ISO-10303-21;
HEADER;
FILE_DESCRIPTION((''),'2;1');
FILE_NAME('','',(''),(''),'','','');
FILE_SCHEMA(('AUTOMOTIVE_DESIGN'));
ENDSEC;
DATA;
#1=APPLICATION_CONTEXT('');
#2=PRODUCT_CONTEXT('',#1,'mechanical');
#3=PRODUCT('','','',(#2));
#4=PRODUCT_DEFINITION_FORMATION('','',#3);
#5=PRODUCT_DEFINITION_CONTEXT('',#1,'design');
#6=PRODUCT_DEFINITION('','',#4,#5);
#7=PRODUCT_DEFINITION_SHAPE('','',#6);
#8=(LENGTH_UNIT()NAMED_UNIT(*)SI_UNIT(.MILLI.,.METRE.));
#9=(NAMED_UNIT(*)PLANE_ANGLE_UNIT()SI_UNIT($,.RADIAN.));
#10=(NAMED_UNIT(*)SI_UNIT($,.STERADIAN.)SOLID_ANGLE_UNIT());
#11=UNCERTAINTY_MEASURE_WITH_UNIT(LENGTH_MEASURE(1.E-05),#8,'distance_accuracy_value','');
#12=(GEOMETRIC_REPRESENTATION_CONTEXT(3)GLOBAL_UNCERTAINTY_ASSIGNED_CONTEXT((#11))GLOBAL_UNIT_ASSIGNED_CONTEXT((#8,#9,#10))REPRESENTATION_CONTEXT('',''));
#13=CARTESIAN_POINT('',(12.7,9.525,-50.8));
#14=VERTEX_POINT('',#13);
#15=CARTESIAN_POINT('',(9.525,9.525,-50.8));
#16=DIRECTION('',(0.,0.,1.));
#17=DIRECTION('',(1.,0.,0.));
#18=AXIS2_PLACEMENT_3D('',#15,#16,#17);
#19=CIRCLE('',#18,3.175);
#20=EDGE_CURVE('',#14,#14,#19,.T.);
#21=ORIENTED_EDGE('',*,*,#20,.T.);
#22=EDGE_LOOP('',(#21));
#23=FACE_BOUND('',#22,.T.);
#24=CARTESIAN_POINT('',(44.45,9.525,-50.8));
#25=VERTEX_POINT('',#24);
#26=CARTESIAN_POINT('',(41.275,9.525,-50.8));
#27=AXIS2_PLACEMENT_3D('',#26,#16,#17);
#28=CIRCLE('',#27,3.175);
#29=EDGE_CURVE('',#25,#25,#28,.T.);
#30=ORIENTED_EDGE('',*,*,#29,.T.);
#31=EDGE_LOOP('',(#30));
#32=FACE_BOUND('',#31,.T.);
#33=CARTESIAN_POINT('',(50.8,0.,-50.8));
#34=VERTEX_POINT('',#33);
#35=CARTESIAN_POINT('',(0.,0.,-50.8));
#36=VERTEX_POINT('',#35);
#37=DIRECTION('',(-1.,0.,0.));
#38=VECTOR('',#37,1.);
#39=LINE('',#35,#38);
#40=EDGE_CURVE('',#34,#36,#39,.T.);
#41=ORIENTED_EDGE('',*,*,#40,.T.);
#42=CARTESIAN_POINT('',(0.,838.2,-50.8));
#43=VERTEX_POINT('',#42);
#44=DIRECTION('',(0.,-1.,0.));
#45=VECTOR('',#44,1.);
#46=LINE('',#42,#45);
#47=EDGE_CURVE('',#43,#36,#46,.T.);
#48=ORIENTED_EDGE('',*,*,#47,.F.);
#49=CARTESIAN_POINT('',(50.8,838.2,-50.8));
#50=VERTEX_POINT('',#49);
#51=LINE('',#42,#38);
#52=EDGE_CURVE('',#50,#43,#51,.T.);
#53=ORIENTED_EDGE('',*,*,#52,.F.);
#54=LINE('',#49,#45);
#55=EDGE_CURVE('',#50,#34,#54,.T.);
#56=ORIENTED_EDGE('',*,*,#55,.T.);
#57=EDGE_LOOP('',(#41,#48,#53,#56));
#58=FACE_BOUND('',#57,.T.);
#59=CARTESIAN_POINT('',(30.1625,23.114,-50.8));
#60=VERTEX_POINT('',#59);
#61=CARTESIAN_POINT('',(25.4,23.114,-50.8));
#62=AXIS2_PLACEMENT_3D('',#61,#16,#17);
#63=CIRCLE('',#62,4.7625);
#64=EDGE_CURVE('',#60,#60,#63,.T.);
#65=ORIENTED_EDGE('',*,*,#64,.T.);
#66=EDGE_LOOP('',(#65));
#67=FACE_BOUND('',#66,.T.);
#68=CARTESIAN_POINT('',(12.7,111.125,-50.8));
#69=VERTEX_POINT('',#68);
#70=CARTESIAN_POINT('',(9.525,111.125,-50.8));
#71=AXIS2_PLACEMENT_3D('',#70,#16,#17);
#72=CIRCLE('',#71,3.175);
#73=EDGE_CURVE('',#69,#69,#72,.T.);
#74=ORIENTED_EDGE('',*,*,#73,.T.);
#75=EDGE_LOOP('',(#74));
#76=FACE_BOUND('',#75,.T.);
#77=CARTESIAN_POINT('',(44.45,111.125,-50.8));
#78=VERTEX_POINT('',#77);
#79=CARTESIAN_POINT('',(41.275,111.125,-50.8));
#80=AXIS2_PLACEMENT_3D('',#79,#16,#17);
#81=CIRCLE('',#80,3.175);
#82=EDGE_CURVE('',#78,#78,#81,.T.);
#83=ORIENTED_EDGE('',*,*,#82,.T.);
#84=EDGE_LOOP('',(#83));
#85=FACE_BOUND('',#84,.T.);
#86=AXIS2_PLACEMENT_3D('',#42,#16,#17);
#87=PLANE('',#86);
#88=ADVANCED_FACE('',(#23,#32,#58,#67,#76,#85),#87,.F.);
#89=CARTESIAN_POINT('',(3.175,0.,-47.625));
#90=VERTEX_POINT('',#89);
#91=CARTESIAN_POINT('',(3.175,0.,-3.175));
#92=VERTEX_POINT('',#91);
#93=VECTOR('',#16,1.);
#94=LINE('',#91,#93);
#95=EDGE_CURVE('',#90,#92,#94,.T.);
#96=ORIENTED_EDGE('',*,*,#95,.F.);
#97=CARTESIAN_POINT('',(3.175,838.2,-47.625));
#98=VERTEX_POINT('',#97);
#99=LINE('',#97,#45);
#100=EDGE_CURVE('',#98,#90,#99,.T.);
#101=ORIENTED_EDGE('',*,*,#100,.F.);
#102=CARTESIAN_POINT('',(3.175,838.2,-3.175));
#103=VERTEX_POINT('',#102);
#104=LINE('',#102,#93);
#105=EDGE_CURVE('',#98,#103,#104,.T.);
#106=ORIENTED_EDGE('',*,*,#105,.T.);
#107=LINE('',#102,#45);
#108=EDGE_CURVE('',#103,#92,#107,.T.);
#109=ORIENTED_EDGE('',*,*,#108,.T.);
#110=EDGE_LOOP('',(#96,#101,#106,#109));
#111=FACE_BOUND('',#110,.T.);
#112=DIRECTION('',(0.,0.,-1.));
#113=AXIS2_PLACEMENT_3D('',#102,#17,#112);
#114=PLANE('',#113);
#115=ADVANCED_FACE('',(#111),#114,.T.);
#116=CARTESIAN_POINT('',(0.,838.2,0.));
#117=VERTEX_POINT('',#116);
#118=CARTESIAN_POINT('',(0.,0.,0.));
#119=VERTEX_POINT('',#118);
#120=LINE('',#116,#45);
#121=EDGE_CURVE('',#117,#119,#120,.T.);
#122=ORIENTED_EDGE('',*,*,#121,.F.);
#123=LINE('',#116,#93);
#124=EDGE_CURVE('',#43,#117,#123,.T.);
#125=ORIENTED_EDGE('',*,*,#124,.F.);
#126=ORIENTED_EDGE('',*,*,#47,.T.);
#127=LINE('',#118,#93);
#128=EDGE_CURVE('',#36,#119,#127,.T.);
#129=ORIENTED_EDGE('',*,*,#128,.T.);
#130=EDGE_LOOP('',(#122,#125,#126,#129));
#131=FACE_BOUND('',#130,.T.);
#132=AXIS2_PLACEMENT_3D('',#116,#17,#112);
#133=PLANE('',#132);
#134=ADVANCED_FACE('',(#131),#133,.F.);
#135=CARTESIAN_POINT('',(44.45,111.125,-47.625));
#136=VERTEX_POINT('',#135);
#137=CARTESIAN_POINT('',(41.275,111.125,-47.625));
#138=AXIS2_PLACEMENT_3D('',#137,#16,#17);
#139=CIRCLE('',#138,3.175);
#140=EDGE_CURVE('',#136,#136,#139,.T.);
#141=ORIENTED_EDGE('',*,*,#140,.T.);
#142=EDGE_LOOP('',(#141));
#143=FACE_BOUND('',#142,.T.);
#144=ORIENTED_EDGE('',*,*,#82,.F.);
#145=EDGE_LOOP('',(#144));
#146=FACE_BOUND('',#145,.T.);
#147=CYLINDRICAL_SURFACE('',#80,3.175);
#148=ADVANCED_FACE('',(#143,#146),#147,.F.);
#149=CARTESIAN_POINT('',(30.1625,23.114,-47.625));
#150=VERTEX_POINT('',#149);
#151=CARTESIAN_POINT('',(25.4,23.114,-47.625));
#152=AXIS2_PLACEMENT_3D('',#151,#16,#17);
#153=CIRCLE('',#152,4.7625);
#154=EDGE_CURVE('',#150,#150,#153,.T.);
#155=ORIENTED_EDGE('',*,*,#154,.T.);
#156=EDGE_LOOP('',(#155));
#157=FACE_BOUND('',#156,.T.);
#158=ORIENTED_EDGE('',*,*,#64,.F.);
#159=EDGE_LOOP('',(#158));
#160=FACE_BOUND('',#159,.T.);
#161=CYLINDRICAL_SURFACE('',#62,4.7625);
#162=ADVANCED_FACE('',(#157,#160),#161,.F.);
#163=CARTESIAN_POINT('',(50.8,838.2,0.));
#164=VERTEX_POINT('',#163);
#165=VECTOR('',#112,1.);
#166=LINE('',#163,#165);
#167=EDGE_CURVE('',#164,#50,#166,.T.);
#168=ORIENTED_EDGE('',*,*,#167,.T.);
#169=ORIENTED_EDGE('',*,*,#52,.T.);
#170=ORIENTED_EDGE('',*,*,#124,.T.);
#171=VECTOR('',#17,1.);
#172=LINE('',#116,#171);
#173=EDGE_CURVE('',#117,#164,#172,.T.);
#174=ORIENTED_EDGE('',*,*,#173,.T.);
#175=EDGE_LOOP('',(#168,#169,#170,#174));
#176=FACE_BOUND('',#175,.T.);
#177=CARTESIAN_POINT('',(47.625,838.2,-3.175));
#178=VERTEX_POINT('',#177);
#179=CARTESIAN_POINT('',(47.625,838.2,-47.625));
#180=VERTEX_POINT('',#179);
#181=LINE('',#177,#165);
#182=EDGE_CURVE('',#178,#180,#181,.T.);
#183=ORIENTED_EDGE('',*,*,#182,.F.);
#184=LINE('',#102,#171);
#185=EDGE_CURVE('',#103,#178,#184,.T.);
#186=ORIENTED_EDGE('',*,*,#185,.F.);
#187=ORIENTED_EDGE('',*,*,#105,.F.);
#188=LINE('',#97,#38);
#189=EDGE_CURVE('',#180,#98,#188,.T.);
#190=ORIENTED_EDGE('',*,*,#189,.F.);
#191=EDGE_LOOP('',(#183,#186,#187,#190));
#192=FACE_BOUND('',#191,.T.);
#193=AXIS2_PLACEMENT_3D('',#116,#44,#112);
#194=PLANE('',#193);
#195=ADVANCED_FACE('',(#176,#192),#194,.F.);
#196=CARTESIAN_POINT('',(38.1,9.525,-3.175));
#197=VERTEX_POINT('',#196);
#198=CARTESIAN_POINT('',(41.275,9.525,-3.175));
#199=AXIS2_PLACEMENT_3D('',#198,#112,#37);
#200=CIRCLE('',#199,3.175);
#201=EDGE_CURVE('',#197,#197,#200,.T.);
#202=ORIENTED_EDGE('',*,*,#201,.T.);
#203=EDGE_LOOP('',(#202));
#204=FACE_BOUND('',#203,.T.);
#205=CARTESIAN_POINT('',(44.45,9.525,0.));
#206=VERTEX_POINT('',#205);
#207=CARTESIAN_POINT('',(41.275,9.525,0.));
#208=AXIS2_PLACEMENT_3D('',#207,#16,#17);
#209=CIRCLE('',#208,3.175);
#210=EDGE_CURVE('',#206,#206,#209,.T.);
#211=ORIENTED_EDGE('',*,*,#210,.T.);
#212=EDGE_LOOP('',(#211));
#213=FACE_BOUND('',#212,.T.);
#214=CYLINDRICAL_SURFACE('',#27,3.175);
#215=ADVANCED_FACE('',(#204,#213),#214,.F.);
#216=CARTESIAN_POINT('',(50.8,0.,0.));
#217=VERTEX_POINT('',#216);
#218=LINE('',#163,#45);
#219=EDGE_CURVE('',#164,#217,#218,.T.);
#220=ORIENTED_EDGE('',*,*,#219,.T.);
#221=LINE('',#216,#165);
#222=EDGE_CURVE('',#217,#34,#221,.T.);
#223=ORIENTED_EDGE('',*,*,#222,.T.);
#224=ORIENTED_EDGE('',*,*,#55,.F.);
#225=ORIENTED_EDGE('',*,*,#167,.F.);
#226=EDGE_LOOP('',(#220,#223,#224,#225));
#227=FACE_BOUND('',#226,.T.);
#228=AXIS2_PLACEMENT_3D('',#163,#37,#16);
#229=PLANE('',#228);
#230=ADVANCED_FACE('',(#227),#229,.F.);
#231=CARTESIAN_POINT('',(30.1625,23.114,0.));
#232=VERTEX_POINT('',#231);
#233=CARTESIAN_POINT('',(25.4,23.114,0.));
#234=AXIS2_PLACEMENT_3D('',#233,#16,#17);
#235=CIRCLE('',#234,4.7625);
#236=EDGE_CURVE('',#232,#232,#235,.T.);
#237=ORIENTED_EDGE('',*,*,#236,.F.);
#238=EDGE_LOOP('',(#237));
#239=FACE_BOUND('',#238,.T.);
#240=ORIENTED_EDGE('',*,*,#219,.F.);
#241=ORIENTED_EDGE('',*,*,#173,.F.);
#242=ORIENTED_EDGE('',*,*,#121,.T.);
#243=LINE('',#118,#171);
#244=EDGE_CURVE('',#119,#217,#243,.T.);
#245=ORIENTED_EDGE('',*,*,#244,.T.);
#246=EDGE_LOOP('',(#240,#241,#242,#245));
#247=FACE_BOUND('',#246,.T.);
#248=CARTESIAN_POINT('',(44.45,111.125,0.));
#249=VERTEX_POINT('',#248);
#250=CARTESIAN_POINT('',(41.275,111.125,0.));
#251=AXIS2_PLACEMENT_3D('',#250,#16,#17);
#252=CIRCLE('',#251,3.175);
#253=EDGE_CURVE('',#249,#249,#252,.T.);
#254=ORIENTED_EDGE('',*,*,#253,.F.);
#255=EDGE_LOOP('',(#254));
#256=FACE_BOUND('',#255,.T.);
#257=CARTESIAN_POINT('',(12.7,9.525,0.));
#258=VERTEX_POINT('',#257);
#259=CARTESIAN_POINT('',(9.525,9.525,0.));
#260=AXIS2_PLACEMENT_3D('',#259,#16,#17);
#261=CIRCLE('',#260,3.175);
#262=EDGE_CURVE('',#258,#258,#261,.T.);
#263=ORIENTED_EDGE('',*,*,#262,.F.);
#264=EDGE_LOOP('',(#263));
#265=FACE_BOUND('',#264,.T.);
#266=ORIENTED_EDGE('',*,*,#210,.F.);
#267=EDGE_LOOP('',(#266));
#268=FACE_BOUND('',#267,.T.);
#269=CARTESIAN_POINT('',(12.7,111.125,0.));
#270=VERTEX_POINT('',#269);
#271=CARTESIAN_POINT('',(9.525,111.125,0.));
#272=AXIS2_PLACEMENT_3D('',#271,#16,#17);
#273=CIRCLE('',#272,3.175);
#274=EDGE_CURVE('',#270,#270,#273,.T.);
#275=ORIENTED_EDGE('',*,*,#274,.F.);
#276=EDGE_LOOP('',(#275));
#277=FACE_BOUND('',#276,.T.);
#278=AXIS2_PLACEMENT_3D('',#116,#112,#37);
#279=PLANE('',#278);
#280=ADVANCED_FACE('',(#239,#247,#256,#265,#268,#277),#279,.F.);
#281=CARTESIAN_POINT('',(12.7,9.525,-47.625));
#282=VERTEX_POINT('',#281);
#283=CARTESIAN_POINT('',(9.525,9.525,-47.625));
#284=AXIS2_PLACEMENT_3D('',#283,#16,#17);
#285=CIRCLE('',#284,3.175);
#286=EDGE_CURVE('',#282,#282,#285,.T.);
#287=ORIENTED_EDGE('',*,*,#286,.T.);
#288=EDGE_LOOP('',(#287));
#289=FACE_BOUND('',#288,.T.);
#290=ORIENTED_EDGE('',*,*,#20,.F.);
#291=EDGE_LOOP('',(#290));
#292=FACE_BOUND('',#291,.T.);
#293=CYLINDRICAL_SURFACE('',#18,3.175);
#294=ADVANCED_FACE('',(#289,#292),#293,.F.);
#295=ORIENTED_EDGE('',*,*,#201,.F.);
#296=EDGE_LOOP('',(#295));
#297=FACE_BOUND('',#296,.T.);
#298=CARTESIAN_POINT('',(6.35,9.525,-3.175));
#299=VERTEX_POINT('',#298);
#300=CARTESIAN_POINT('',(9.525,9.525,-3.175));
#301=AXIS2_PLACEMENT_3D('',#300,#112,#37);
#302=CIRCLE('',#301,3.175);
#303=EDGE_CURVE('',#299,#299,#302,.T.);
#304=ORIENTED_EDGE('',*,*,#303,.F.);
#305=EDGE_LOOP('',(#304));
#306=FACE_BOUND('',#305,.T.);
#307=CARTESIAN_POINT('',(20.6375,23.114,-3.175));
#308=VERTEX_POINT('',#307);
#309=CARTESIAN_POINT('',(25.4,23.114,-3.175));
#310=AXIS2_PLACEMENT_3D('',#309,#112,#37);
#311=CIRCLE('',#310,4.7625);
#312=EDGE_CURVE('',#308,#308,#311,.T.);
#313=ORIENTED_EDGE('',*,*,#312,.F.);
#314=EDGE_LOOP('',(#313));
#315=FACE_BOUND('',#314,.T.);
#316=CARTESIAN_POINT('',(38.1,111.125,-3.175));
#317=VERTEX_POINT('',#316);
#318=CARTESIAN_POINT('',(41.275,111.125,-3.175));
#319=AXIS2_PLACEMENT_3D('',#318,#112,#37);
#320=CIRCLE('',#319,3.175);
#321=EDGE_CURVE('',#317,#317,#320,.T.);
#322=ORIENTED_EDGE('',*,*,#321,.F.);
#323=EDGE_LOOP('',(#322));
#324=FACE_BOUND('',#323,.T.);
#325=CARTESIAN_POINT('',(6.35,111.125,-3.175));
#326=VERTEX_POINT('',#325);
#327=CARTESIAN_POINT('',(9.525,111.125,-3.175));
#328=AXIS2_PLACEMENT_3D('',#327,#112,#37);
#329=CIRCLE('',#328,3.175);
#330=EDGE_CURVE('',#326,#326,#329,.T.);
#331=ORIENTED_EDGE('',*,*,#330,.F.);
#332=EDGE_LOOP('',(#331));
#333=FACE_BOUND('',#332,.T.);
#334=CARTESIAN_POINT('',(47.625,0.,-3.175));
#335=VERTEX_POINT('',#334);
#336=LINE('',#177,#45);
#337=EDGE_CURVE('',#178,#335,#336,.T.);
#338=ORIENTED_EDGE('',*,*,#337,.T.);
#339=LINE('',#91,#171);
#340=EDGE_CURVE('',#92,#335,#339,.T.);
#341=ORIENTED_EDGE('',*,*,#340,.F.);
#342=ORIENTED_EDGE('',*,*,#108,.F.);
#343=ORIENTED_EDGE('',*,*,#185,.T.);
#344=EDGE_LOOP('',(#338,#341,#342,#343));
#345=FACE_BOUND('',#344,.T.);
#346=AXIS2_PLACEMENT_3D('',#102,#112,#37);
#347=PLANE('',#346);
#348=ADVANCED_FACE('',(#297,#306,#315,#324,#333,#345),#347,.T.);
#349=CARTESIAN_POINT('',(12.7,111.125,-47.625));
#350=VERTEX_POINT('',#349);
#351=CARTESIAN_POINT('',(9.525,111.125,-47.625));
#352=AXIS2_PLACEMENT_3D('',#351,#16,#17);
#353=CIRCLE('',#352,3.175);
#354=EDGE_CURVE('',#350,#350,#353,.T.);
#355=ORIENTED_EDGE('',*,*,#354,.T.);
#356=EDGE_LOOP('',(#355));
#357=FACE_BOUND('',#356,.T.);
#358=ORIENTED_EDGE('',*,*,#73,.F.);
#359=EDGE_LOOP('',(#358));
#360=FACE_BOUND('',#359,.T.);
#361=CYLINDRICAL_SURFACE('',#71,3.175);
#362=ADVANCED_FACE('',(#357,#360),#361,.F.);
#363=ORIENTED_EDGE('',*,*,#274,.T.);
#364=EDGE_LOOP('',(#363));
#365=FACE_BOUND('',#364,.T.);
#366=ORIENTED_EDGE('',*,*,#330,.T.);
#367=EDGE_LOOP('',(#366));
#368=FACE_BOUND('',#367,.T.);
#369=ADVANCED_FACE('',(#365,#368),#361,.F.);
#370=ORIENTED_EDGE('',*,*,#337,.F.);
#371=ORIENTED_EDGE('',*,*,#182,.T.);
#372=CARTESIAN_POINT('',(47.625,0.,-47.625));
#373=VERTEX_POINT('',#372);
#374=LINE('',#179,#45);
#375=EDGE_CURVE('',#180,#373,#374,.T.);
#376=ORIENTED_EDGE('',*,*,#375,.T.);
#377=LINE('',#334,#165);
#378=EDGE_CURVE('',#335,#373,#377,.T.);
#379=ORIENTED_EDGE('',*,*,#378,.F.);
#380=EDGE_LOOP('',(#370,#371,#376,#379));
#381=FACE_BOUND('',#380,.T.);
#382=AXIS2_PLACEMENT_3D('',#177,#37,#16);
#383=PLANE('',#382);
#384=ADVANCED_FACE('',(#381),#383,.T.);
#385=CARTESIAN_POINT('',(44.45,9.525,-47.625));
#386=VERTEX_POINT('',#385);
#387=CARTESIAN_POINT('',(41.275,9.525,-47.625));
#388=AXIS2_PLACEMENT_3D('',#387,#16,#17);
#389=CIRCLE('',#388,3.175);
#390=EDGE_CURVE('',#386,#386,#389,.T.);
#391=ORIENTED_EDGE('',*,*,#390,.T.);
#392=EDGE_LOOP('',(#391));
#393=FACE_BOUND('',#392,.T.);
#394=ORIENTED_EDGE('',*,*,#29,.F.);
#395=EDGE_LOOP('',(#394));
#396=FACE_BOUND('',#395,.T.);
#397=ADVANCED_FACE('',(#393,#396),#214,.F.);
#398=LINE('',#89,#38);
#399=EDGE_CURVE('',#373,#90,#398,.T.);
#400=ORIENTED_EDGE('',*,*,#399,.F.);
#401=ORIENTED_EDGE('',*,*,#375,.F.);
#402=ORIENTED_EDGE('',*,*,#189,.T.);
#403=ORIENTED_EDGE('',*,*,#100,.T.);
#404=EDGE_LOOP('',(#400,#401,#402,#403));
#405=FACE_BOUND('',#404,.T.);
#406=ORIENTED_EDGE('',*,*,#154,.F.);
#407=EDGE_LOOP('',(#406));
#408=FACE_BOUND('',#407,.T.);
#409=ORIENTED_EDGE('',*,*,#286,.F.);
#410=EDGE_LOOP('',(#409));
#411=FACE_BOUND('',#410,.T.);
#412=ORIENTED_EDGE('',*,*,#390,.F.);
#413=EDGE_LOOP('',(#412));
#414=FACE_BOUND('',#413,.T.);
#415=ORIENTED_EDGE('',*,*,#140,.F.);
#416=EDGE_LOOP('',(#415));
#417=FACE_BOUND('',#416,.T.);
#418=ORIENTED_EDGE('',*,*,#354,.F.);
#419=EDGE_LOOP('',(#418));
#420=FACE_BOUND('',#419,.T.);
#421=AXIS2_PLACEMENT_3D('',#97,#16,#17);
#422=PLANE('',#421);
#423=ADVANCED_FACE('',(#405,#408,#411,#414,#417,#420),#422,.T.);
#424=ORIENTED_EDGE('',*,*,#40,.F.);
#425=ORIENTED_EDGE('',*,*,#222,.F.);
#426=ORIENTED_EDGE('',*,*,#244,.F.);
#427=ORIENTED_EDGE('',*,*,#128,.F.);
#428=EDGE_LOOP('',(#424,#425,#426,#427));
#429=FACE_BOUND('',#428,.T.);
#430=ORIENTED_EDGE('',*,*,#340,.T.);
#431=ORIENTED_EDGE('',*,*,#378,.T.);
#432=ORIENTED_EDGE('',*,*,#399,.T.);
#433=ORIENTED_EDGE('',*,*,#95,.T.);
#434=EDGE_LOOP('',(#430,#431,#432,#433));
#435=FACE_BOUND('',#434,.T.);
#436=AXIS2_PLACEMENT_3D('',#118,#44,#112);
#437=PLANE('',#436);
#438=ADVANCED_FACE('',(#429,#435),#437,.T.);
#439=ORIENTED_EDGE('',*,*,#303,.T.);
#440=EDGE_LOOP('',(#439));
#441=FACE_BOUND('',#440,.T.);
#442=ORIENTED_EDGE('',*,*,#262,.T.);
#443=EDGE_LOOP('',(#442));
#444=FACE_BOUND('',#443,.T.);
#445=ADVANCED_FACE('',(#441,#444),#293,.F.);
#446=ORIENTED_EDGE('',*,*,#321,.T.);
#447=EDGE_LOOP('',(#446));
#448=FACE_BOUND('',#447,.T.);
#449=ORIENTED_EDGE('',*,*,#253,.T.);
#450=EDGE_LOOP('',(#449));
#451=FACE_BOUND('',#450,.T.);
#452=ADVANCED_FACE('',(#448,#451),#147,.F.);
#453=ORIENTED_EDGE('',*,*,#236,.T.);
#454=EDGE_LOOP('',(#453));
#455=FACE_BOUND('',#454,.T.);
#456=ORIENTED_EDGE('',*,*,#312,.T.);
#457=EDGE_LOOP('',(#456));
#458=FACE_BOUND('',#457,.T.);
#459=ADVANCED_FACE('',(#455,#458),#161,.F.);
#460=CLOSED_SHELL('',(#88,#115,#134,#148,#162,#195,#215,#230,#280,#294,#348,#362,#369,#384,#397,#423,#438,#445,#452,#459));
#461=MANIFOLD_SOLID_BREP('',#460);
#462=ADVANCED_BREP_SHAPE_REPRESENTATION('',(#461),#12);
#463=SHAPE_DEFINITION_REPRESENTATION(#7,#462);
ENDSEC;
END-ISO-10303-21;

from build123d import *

# Parameters (mm, degrees)
SKETCH1_W           = 50.8
SKETCH1_H           = 50.8
SKETCH1_W_2         = 44.45
SKETCH1_H_2         = 44.45
BOSS_EXTRUDE1_DEPTH = 838.2
SKETCH2_R           = 3.175
SKETCH2_R_2         = 4.7625
CUT_EXTRUDE1_DEPTH  = 842.273154213


with BuildPart() as part:
    # Sketch1 → Boss-Extrude1 (new body)
    with BuildSketch(Plane(origin=(0, 0, 0), x_dir=(1, 0, 0), z_dir=(0, 1, 0))):
        with Locations((25.4, 25.4)):
            Rectangle(SKETCH1_W, SKETCH1_H)
        with Locations((25.4, 25.4)):
            Rectangle(SKETCH1_W_2, SKETCH1_H_2, mode=Mode.SUBTRACT)
    extrude(amount=BOSS_EXTRUDE1_DEPTH)

    # Sketch2 → Cut-Extrude1 (cut, through all)
    with BuildSketch(Plane.XY):
        with Locations((9.525, 111.125)):
            Circle(SKETCH2_R)
        with Locations((41.275, 111.125)):
            Circle(SKETCH2_R)
        with Locations((9.525, 9.525)):
            Circle(SKETCH2_R)
        with Locations((41.275, 9.525)):
            Circle(SKETCH2_R)
        with Locations((25.4, 23.114)):
            Circle(SKETCH2_R_2)
    extrude(amount=-CUT_EXTRUDE1_DEPTH, mode=Mode.SUBTRACT)


solid = part.part
